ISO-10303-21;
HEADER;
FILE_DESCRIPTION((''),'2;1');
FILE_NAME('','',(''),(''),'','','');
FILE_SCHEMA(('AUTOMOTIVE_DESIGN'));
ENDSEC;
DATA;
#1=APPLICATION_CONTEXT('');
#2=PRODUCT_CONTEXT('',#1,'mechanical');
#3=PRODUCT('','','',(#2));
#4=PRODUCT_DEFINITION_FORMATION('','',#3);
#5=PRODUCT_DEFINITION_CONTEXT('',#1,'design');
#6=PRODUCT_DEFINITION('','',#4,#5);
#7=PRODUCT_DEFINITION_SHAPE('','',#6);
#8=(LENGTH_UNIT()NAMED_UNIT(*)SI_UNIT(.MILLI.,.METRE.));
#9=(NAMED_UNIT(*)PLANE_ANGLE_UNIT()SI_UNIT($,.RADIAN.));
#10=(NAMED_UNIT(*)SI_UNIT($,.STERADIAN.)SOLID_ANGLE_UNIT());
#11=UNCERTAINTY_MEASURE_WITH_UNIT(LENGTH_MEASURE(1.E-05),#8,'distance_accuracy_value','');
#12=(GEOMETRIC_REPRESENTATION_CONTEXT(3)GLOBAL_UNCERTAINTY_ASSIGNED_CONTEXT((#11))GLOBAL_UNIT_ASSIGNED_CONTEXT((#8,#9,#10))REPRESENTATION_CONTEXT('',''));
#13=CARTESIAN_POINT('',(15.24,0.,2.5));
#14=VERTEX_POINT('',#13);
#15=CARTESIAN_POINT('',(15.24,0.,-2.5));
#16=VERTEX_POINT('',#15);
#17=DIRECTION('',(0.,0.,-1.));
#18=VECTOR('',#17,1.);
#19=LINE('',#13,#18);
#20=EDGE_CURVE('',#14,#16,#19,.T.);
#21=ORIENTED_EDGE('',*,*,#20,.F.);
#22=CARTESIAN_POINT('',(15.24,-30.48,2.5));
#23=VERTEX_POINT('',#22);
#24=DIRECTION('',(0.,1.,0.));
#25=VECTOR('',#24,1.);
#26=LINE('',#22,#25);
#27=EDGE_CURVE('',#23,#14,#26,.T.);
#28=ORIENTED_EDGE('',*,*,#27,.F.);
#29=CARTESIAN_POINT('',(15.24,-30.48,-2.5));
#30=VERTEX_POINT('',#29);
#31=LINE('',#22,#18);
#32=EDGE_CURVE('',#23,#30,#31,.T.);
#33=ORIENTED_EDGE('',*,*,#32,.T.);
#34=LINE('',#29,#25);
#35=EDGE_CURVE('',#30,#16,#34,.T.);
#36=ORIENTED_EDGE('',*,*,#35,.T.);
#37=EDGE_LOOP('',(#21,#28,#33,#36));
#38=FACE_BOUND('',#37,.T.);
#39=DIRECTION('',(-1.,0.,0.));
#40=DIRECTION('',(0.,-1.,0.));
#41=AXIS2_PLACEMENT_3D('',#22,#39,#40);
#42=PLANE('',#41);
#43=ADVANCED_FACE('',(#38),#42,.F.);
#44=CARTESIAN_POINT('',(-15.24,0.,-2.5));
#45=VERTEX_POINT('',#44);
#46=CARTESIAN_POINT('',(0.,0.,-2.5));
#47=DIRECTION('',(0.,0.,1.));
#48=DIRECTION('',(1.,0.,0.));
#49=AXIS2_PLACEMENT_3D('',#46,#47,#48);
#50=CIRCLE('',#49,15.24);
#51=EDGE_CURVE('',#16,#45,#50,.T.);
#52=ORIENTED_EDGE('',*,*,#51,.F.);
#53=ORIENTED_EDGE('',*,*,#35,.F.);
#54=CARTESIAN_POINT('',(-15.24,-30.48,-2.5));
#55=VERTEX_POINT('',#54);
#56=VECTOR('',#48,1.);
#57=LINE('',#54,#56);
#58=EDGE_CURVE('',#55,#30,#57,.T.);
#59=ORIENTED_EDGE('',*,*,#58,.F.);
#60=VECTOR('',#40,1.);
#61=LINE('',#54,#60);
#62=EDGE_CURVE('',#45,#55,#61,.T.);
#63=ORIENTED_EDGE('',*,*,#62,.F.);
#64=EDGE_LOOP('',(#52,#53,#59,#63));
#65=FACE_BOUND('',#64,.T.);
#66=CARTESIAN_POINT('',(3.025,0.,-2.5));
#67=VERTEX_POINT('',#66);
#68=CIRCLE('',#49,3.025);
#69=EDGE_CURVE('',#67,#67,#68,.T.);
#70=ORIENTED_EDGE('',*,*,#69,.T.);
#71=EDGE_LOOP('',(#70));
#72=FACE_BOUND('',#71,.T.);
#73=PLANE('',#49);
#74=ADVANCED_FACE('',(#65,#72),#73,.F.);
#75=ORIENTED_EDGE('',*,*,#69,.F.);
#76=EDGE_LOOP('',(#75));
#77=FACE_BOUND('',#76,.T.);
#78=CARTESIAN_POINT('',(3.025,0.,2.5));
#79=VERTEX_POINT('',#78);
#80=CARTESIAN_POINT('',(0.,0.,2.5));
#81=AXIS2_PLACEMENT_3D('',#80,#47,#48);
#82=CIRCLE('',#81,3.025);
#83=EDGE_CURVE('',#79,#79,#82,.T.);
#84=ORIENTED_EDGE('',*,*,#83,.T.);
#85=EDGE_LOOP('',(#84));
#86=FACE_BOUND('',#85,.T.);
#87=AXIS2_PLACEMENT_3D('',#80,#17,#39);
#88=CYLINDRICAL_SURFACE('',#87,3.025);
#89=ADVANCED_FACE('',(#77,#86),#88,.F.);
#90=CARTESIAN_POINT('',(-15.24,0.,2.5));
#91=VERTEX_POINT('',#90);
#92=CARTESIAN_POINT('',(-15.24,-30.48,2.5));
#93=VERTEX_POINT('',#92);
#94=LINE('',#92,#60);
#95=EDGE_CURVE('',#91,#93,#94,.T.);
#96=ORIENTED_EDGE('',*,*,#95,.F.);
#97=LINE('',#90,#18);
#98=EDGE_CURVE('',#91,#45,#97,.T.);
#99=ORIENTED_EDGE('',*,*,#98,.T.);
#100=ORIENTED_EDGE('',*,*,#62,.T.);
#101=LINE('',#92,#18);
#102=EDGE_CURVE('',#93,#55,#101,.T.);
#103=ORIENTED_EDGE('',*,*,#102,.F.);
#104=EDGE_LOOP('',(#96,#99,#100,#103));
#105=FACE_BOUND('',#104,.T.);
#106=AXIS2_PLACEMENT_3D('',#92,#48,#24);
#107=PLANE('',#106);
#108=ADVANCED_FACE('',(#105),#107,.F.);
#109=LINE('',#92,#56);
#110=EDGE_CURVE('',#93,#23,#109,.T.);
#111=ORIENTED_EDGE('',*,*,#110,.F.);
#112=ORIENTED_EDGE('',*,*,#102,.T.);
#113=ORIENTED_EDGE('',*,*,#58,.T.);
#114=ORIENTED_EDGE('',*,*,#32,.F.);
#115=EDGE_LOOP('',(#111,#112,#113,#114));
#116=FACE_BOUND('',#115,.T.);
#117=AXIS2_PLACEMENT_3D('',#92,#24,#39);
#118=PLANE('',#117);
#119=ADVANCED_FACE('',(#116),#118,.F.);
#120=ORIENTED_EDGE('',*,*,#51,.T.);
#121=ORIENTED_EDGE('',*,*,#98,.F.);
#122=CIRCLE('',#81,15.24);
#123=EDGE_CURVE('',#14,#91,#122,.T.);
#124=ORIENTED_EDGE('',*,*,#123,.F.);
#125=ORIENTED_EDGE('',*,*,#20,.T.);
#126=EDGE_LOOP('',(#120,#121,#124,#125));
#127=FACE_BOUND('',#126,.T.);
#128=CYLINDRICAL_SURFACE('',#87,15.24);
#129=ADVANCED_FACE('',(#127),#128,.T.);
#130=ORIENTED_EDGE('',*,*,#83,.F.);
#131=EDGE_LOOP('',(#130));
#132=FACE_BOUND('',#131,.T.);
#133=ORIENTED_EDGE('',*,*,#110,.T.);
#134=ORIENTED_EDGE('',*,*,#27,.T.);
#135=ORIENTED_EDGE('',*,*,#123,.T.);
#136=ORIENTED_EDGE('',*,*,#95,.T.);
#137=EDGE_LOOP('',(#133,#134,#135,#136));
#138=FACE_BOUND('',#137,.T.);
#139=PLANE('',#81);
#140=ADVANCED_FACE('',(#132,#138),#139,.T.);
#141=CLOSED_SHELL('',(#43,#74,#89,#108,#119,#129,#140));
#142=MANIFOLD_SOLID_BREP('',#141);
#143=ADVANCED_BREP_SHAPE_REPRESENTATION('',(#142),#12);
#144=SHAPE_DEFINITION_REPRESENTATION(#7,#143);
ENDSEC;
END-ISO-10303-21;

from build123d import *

# Parameters (mm, degrees)
SKETCH1_R           = 3.025
BOSS_EXTRUDE1_DEPTH = 2.5


with BuildPart() as part:
    # Sketch1 → Boss-Extrude1 (new body, symmetric)
    with BuildSketch(Plane.XY):
        with BuildLine():
            Line((-15.24, -30.48), (15.24, -30.48))
            Line((15.24, -30.48), (15.24, 0))
            ThreePointArc((15.24, 0), (0, 15.24), (-15.24, 0))
            Line((-15.24, 0), (-15.24, -30.48))
        make_face()
        Circle(SKETCH1_R, mode=Mode.SUBTRACT)
    extrude(amount=BOSS_EXTRUDE1_DEPTH, both=True)


solid = part.part
